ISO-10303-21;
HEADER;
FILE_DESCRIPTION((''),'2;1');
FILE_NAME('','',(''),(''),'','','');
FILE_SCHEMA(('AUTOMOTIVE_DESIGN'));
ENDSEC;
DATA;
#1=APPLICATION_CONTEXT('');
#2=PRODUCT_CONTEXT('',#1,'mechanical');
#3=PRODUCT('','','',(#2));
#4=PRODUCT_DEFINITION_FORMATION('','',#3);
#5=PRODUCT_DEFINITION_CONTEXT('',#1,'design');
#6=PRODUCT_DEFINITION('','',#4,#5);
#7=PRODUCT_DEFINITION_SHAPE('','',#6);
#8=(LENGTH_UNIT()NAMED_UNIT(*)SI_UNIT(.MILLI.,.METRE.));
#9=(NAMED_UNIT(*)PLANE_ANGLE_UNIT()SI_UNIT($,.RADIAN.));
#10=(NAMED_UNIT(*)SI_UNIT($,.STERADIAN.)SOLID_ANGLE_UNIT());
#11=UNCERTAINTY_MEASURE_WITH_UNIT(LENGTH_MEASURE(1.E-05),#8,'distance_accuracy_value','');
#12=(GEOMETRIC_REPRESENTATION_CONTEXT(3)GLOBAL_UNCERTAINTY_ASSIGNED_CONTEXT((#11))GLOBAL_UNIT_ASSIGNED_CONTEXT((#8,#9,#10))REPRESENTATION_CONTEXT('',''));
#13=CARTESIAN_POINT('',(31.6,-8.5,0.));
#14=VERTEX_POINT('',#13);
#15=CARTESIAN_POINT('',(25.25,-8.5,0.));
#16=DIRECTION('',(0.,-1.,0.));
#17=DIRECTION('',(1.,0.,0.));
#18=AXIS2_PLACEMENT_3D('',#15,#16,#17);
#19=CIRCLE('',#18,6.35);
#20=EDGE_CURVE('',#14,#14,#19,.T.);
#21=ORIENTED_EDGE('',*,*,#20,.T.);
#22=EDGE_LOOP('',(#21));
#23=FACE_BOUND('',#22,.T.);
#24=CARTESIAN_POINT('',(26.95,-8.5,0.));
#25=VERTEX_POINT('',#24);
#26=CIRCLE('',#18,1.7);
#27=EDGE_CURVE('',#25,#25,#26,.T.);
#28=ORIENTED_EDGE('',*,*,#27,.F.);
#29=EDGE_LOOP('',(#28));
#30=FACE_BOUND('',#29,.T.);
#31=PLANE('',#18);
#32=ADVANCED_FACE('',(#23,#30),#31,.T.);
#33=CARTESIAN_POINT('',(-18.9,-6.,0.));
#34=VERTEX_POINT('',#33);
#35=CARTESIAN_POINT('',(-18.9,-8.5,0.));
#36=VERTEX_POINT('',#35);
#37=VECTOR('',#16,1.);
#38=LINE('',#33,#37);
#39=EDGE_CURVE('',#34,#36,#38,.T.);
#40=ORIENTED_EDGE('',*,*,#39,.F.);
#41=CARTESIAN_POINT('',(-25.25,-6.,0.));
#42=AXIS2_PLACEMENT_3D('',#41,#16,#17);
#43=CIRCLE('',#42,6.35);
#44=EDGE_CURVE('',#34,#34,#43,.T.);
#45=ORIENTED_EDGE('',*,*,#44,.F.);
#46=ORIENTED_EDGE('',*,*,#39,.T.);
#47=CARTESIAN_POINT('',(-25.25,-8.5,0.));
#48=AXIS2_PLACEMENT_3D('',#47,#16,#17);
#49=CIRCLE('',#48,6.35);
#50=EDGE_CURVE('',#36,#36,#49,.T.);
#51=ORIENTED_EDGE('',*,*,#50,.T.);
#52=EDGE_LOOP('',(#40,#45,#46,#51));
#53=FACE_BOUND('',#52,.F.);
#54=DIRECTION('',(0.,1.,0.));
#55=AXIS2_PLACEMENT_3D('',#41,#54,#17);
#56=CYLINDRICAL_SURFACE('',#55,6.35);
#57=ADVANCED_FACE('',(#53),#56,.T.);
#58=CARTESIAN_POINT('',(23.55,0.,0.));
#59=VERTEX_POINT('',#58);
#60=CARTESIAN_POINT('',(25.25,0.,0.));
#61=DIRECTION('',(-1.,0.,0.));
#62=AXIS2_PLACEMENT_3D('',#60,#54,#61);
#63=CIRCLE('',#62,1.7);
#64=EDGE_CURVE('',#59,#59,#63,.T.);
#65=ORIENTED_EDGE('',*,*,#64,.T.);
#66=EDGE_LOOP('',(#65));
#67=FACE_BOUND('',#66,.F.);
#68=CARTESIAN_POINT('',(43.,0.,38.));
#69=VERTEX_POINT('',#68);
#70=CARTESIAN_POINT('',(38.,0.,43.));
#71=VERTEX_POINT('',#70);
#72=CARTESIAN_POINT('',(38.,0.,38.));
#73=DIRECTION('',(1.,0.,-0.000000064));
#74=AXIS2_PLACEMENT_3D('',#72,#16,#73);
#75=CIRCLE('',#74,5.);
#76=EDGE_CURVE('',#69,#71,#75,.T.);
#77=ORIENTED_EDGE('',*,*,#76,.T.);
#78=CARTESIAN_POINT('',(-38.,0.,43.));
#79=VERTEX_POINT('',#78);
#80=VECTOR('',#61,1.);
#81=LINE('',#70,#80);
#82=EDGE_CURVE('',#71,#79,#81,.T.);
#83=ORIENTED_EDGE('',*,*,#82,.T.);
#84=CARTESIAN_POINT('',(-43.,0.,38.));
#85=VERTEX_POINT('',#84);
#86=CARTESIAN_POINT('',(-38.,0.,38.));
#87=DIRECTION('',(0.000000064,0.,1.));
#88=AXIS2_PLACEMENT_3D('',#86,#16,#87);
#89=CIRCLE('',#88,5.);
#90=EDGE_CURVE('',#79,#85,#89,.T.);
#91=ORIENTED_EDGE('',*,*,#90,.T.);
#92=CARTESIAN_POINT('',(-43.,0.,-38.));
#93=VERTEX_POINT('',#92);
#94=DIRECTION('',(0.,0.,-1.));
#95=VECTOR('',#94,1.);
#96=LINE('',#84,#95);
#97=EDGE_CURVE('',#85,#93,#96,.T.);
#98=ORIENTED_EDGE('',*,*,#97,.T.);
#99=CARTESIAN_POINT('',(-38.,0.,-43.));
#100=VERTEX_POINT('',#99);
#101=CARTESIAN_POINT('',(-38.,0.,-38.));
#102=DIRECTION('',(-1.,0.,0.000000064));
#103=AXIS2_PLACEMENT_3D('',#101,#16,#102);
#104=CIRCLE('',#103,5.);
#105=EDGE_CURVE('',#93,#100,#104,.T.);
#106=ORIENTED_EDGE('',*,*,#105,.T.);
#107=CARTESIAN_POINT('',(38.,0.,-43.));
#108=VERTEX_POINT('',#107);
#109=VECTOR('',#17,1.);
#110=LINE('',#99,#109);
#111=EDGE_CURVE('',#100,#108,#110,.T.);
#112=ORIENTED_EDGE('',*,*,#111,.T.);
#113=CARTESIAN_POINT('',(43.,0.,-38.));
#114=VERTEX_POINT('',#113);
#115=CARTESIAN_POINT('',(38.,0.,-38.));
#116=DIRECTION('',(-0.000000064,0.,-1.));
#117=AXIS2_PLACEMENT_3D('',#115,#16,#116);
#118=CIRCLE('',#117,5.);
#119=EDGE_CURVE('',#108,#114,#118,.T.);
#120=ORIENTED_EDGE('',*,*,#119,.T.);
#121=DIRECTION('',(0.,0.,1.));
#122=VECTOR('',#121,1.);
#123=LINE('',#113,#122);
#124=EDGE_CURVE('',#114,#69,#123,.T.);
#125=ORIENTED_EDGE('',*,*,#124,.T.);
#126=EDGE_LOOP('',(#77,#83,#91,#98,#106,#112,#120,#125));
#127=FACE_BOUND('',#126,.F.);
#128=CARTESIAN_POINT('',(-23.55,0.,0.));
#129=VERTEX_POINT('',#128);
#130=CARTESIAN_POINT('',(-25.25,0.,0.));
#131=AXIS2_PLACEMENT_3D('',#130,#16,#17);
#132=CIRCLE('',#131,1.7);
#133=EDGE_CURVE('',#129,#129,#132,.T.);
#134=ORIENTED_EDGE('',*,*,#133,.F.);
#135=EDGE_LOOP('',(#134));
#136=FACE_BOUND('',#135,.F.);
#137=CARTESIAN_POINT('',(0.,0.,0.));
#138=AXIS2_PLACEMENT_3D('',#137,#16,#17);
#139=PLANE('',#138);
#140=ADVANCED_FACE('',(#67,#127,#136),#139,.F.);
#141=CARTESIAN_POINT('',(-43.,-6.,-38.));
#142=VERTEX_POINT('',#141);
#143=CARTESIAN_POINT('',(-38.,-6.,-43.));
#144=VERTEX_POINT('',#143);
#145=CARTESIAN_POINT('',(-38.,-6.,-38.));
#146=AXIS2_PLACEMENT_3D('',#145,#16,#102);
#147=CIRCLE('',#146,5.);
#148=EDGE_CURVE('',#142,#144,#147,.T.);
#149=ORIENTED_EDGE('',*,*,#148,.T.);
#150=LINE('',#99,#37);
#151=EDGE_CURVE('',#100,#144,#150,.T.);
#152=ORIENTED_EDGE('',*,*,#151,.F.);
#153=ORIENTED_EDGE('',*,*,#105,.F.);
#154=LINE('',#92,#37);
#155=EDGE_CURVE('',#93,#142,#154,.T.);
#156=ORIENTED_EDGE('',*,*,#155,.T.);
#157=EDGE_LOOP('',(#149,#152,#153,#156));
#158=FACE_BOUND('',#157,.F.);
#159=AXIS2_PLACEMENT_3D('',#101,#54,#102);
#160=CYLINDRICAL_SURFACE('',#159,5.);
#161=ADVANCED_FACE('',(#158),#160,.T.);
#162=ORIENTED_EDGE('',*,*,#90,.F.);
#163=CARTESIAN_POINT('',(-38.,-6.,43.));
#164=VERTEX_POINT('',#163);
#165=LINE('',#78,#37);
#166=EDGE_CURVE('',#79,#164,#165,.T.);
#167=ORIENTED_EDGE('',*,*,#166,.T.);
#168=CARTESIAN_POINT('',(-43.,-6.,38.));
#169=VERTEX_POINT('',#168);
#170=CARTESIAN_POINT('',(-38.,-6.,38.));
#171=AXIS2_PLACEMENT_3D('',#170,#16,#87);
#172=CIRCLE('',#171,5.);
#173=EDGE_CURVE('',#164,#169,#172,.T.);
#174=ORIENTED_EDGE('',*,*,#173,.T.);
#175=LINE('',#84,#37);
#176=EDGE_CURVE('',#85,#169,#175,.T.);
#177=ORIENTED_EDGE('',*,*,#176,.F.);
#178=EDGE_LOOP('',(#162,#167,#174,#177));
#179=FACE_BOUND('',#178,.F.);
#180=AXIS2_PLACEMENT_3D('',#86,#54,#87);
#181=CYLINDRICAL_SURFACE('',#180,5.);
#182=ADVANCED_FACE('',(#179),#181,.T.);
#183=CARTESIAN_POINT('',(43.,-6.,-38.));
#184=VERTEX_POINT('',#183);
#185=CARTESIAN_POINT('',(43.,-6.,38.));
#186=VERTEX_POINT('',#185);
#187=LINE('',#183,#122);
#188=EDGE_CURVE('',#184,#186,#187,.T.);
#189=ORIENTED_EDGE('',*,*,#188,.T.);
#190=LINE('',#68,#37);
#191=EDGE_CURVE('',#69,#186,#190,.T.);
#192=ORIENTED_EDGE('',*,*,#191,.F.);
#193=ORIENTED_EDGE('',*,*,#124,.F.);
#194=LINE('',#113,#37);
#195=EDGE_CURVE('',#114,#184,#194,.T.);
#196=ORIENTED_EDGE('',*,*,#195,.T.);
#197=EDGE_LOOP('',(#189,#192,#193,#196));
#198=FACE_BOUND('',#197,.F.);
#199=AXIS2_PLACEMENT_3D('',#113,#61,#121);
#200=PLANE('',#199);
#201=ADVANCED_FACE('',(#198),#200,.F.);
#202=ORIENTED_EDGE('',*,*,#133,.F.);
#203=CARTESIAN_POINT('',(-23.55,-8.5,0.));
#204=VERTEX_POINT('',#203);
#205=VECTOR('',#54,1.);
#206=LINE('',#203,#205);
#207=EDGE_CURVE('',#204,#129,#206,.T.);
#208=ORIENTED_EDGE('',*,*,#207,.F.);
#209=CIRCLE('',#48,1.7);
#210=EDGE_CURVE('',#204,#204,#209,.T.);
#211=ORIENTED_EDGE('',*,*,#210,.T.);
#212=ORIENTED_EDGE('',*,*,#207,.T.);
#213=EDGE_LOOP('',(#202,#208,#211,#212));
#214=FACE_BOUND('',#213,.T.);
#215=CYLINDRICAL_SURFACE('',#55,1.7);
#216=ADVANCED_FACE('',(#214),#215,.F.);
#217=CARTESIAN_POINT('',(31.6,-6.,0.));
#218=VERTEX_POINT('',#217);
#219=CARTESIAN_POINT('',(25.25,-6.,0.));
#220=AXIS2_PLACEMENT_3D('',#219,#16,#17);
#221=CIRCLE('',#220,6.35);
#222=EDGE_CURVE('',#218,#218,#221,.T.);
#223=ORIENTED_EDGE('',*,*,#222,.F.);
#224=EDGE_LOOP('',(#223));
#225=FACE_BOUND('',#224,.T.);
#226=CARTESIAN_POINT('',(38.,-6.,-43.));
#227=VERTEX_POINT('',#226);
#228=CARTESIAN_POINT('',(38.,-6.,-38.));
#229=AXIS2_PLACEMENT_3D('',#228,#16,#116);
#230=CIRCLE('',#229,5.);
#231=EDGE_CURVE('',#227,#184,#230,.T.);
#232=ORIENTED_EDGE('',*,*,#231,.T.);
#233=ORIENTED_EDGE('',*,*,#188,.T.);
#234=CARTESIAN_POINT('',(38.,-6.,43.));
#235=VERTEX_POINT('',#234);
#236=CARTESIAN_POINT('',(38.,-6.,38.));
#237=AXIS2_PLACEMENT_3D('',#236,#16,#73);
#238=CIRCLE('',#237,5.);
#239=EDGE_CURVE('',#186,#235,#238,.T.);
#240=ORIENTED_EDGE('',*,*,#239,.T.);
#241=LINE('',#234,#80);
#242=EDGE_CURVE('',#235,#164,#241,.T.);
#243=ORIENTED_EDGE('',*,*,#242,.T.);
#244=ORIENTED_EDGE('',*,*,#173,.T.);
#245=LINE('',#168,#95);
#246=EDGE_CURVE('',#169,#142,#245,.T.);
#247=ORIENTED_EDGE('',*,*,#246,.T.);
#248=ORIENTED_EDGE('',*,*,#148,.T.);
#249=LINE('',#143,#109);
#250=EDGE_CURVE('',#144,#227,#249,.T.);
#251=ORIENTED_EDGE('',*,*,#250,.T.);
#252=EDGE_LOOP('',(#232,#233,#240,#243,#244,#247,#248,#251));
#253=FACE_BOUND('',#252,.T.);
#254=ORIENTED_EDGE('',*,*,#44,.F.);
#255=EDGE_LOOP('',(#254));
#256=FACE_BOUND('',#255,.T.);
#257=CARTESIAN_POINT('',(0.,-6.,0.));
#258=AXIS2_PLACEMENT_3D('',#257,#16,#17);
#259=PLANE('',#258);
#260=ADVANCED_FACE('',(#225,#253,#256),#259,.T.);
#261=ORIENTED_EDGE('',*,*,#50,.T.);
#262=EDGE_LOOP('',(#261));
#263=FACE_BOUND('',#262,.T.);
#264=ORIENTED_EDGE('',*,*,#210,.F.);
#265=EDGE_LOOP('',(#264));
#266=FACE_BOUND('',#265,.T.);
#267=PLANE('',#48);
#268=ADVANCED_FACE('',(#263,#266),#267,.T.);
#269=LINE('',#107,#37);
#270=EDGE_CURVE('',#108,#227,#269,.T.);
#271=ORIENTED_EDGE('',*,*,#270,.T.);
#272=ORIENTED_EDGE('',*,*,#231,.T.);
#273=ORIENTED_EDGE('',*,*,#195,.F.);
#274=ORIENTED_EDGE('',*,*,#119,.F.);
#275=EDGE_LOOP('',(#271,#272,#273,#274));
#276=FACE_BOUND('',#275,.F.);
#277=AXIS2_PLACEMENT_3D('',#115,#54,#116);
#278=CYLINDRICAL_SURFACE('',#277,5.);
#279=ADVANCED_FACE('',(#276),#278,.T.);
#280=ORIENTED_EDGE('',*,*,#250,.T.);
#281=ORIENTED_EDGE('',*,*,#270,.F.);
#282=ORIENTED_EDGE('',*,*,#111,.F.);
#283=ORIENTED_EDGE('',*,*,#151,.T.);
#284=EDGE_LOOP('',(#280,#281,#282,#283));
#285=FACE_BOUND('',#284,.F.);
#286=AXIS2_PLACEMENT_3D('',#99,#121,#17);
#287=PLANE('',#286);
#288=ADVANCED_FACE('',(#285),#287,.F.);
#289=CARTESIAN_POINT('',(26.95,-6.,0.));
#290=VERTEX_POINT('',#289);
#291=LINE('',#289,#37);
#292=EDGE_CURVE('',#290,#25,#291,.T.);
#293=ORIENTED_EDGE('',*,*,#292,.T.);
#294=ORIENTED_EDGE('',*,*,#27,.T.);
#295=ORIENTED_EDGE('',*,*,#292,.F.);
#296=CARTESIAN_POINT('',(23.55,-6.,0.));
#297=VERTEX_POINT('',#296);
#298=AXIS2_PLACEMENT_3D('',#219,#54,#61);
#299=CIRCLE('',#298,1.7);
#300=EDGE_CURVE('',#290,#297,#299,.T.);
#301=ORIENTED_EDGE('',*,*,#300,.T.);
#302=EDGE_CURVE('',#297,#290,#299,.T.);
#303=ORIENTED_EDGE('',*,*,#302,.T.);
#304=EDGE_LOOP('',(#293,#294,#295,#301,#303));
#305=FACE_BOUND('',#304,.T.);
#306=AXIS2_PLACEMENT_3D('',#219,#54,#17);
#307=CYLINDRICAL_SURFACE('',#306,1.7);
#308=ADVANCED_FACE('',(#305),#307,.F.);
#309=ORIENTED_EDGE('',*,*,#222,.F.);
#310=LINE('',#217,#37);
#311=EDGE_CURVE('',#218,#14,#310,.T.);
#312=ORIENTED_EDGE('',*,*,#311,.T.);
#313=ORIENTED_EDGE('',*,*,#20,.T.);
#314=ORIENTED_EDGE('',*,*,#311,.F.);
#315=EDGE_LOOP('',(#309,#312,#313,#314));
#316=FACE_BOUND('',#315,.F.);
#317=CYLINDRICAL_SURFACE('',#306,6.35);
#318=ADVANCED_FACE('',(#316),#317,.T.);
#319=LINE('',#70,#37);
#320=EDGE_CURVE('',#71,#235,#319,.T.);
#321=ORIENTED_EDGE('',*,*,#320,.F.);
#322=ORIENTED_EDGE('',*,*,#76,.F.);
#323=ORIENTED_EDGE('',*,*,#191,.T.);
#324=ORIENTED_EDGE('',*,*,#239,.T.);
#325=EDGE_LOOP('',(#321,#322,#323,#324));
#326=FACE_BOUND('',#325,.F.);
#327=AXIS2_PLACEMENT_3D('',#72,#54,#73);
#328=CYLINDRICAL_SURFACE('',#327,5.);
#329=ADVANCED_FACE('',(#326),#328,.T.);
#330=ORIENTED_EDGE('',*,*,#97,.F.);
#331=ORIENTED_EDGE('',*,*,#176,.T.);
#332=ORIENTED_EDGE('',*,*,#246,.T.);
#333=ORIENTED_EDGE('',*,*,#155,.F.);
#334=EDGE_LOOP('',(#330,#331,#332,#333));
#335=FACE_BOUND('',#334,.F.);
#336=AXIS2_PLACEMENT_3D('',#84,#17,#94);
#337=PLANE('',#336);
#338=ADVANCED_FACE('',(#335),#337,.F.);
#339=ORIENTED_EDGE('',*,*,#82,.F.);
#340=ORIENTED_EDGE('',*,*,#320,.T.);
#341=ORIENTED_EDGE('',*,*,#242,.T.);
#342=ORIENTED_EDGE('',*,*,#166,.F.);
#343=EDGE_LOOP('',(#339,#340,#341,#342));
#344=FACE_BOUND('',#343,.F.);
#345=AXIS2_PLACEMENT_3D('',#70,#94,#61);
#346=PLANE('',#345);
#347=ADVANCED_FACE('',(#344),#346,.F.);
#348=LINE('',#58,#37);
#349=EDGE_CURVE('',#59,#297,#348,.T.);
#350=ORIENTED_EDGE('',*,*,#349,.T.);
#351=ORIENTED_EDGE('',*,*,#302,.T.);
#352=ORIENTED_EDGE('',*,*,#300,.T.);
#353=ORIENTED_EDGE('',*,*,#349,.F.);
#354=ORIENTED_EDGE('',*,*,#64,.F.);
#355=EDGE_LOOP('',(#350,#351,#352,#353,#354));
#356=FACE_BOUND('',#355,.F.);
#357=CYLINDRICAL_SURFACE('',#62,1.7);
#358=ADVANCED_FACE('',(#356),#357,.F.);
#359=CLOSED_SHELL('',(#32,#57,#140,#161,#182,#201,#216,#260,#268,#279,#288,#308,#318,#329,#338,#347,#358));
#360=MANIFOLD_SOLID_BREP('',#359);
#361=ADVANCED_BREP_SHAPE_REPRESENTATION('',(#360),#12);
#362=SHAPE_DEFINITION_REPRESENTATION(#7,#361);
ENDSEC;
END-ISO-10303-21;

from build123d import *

# Parameters (mm, degrees)
F0_R     = 6.35
F0_R_2   = 1.7
F1_DEPTH = 6
F2_R     = 6.35
F2_R_2   = 1.7
F3_DEPTH = 2.5


with BuildPart() as f1:
    # F0 (on Front) → F1 (new body)
    with BuildSketch(Plane.XZ):
        with BuildLine():
            Line((38, 43), (-38, 43))
            ThreePointArc((-38, 43), (-41.535534, 41.535534), (-43, 38))
            Line((-43, 38), (-43, -38))
            ThreePointArc((-43, -38), (-41.535534, -41.535534), (-38, -43))
            Line((-38, -43), (38, -43))
            ThreePointArc((38, -43), (41.535534, -41.535534), (43, -38))
            Line((43, -38), (43, 38))
            ThreePointArc((43, 38), (41.535534, 41.535534), (38, 43))
        make_face()
        with Locations((-25.25, 0)):
            Circle(F0_R, mode=Mode.SUBTRACT)
        with BuildLine():
            ThreePointArc((31.6, 0), (25.25, -6.35), (18.9, 0))
            ThreePointArc((18.9, 0), (25.25, 6.35), (31.6, 0))
        make_face(mode=Mode.SUBTRACT)
        with Locations((-25.25, 0)):
            Circle(F0_R)
        with Locations((-25.25, 0)):
            Circle(F0_R_2, mode=Mode.SUBTRACT)
        with BuildLine():
            ThreePointArc((31.6, 0), (25.25, 6.35), (18.9, 0))
            ThreePointArc((18.9, 0), (25.25, -6.35), (31.6, 0))
        make_face()
        with BuildLine():
            ThreePointArc((26.95, 0), (25.25, -1.7), (23.55, 0))
            ThreePointArc((23.55, 0), (25.25, 1.7), (26.95, 0))
        make_face(mode=Mode.SUBTRACT)
    extrude(amount=F1_DEPTH)

    # F2 (on face) → F3 (join)
    with BuildSketch(Plane.XZ.offset(6)):
        with Locations((-25.25, 0)):
            Circle(F2_R)
        with Locations((-25.25, 0)):
            Circle(F2_R_2, mode=Mode.SUBTRACT)
        with Locations((25.25, 0)):
            Circle(F2_R)
        with Locations((25.25, 0)):
            Circle(F2_R_2, mode=Mode.SUBTRACT)
    extrude(amount=F3_DEPTH)


solid = f1.part
